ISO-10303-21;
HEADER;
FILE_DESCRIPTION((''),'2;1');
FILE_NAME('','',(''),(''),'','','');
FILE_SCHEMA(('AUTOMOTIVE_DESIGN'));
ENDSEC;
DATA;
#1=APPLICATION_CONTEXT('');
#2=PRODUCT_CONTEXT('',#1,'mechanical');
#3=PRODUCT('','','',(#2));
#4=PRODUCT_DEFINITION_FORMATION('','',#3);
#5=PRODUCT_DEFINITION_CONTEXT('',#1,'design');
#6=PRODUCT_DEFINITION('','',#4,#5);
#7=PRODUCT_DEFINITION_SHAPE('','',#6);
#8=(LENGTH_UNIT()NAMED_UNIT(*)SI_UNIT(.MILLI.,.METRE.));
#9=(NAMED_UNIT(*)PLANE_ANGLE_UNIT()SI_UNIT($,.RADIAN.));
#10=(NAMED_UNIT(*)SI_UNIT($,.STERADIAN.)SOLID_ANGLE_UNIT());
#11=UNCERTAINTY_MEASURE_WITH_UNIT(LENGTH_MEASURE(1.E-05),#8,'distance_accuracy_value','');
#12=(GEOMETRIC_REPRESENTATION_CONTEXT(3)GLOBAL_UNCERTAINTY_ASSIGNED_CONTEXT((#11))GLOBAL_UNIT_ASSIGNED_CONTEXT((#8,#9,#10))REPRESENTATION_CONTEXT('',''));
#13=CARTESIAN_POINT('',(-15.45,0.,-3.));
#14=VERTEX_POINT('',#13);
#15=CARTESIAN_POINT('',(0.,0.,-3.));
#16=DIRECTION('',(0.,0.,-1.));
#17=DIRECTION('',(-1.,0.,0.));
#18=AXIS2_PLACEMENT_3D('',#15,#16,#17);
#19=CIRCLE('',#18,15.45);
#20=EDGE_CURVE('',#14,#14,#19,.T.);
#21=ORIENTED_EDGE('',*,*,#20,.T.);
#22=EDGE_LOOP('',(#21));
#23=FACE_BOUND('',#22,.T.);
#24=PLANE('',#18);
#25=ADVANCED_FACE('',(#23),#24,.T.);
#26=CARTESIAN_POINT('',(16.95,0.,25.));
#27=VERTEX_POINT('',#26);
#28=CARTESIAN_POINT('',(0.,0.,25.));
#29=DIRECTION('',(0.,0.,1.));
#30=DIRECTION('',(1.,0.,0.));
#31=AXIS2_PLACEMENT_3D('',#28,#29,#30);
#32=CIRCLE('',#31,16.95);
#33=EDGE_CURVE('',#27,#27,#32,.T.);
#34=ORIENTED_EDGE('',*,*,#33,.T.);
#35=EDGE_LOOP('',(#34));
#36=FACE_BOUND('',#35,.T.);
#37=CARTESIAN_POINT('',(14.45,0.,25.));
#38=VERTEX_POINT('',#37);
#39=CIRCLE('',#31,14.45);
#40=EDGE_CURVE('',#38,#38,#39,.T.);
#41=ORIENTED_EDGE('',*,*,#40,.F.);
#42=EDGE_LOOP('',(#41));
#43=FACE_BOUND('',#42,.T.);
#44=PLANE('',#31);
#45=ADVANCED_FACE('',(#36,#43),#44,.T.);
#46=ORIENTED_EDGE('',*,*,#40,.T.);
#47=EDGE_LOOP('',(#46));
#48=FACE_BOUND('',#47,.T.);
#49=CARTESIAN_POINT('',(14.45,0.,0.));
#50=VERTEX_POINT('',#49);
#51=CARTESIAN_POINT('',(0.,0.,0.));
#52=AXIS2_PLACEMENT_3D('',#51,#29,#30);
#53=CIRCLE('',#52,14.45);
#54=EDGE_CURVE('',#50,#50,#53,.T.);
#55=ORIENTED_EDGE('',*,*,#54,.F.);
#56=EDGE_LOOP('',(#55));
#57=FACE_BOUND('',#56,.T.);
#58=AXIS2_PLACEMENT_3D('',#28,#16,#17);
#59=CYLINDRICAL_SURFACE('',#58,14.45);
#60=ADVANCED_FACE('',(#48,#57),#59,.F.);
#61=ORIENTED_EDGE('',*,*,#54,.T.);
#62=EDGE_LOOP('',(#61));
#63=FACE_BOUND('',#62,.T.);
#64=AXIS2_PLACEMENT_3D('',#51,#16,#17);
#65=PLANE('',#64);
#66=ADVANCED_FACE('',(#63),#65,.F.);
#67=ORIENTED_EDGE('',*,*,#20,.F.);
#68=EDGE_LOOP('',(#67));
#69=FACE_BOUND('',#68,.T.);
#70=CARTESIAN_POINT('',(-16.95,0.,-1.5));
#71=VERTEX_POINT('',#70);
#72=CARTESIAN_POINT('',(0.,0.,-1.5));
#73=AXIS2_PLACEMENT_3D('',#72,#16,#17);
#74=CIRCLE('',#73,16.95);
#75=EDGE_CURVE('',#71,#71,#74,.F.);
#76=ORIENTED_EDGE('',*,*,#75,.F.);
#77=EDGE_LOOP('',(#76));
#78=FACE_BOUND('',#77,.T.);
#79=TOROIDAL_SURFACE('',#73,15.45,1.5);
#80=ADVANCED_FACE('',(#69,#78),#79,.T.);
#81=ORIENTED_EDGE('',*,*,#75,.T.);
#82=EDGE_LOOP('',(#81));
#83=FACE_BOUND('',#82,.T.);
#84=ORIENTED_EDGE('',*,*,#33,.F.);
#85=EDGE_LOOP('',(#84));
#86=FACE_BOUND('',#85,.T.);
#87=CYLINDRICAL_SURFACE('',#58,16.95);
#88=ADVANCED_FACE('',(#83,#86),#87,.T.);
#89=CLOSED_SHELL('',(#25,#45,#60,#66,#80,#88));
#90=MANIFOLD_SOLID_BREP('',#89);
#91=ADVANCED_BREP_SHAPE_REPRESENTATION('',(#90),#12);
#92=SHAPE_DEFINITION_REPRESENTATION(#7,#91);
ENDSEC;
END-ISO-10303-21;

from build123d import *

# Parameters (mm, degrees)
SKETCH1_R           = 16.95
SKETCH1_R_2         = 14.45
BOSS_EXTRUDE1_DEPTH = 25
SKETCH2_R           = 16.95
BOSS_EXTRUDE2_DEPTH = 3
FILLET1_R           = 1.5


with BuildPart() as part:
    # Sketch1 → Boss-Extrude1 (new body)
    with BuildSketch(Plane.XY):
        Circle(SKETCH1_R)
        Circle(SKETCH1_R_2, mode=Mode.SUBTRACT)
    extrude(amount=BOSS_EXTRUDE1_DEPTH)

    # Sketch2 → Boss-Extrude2 (add)
    with BuildSketch(Plane(origin=(0, 0, 0), x_dir=(-1, 0, 0), z_dir=(0, 0, -1))):
        Circle(SKETCH2_R)
    extrude(amount=BOSS_EXTRUDE2_DEPTH)

    # Fillet1
    fillet1_edges = [part.edges().sort_by_distance(p)[0] for p in [
        (16.95, 0, -3),
    ]]
    fillet(fillet1_edges, radius=FILLET1_R)


solid = part.part
